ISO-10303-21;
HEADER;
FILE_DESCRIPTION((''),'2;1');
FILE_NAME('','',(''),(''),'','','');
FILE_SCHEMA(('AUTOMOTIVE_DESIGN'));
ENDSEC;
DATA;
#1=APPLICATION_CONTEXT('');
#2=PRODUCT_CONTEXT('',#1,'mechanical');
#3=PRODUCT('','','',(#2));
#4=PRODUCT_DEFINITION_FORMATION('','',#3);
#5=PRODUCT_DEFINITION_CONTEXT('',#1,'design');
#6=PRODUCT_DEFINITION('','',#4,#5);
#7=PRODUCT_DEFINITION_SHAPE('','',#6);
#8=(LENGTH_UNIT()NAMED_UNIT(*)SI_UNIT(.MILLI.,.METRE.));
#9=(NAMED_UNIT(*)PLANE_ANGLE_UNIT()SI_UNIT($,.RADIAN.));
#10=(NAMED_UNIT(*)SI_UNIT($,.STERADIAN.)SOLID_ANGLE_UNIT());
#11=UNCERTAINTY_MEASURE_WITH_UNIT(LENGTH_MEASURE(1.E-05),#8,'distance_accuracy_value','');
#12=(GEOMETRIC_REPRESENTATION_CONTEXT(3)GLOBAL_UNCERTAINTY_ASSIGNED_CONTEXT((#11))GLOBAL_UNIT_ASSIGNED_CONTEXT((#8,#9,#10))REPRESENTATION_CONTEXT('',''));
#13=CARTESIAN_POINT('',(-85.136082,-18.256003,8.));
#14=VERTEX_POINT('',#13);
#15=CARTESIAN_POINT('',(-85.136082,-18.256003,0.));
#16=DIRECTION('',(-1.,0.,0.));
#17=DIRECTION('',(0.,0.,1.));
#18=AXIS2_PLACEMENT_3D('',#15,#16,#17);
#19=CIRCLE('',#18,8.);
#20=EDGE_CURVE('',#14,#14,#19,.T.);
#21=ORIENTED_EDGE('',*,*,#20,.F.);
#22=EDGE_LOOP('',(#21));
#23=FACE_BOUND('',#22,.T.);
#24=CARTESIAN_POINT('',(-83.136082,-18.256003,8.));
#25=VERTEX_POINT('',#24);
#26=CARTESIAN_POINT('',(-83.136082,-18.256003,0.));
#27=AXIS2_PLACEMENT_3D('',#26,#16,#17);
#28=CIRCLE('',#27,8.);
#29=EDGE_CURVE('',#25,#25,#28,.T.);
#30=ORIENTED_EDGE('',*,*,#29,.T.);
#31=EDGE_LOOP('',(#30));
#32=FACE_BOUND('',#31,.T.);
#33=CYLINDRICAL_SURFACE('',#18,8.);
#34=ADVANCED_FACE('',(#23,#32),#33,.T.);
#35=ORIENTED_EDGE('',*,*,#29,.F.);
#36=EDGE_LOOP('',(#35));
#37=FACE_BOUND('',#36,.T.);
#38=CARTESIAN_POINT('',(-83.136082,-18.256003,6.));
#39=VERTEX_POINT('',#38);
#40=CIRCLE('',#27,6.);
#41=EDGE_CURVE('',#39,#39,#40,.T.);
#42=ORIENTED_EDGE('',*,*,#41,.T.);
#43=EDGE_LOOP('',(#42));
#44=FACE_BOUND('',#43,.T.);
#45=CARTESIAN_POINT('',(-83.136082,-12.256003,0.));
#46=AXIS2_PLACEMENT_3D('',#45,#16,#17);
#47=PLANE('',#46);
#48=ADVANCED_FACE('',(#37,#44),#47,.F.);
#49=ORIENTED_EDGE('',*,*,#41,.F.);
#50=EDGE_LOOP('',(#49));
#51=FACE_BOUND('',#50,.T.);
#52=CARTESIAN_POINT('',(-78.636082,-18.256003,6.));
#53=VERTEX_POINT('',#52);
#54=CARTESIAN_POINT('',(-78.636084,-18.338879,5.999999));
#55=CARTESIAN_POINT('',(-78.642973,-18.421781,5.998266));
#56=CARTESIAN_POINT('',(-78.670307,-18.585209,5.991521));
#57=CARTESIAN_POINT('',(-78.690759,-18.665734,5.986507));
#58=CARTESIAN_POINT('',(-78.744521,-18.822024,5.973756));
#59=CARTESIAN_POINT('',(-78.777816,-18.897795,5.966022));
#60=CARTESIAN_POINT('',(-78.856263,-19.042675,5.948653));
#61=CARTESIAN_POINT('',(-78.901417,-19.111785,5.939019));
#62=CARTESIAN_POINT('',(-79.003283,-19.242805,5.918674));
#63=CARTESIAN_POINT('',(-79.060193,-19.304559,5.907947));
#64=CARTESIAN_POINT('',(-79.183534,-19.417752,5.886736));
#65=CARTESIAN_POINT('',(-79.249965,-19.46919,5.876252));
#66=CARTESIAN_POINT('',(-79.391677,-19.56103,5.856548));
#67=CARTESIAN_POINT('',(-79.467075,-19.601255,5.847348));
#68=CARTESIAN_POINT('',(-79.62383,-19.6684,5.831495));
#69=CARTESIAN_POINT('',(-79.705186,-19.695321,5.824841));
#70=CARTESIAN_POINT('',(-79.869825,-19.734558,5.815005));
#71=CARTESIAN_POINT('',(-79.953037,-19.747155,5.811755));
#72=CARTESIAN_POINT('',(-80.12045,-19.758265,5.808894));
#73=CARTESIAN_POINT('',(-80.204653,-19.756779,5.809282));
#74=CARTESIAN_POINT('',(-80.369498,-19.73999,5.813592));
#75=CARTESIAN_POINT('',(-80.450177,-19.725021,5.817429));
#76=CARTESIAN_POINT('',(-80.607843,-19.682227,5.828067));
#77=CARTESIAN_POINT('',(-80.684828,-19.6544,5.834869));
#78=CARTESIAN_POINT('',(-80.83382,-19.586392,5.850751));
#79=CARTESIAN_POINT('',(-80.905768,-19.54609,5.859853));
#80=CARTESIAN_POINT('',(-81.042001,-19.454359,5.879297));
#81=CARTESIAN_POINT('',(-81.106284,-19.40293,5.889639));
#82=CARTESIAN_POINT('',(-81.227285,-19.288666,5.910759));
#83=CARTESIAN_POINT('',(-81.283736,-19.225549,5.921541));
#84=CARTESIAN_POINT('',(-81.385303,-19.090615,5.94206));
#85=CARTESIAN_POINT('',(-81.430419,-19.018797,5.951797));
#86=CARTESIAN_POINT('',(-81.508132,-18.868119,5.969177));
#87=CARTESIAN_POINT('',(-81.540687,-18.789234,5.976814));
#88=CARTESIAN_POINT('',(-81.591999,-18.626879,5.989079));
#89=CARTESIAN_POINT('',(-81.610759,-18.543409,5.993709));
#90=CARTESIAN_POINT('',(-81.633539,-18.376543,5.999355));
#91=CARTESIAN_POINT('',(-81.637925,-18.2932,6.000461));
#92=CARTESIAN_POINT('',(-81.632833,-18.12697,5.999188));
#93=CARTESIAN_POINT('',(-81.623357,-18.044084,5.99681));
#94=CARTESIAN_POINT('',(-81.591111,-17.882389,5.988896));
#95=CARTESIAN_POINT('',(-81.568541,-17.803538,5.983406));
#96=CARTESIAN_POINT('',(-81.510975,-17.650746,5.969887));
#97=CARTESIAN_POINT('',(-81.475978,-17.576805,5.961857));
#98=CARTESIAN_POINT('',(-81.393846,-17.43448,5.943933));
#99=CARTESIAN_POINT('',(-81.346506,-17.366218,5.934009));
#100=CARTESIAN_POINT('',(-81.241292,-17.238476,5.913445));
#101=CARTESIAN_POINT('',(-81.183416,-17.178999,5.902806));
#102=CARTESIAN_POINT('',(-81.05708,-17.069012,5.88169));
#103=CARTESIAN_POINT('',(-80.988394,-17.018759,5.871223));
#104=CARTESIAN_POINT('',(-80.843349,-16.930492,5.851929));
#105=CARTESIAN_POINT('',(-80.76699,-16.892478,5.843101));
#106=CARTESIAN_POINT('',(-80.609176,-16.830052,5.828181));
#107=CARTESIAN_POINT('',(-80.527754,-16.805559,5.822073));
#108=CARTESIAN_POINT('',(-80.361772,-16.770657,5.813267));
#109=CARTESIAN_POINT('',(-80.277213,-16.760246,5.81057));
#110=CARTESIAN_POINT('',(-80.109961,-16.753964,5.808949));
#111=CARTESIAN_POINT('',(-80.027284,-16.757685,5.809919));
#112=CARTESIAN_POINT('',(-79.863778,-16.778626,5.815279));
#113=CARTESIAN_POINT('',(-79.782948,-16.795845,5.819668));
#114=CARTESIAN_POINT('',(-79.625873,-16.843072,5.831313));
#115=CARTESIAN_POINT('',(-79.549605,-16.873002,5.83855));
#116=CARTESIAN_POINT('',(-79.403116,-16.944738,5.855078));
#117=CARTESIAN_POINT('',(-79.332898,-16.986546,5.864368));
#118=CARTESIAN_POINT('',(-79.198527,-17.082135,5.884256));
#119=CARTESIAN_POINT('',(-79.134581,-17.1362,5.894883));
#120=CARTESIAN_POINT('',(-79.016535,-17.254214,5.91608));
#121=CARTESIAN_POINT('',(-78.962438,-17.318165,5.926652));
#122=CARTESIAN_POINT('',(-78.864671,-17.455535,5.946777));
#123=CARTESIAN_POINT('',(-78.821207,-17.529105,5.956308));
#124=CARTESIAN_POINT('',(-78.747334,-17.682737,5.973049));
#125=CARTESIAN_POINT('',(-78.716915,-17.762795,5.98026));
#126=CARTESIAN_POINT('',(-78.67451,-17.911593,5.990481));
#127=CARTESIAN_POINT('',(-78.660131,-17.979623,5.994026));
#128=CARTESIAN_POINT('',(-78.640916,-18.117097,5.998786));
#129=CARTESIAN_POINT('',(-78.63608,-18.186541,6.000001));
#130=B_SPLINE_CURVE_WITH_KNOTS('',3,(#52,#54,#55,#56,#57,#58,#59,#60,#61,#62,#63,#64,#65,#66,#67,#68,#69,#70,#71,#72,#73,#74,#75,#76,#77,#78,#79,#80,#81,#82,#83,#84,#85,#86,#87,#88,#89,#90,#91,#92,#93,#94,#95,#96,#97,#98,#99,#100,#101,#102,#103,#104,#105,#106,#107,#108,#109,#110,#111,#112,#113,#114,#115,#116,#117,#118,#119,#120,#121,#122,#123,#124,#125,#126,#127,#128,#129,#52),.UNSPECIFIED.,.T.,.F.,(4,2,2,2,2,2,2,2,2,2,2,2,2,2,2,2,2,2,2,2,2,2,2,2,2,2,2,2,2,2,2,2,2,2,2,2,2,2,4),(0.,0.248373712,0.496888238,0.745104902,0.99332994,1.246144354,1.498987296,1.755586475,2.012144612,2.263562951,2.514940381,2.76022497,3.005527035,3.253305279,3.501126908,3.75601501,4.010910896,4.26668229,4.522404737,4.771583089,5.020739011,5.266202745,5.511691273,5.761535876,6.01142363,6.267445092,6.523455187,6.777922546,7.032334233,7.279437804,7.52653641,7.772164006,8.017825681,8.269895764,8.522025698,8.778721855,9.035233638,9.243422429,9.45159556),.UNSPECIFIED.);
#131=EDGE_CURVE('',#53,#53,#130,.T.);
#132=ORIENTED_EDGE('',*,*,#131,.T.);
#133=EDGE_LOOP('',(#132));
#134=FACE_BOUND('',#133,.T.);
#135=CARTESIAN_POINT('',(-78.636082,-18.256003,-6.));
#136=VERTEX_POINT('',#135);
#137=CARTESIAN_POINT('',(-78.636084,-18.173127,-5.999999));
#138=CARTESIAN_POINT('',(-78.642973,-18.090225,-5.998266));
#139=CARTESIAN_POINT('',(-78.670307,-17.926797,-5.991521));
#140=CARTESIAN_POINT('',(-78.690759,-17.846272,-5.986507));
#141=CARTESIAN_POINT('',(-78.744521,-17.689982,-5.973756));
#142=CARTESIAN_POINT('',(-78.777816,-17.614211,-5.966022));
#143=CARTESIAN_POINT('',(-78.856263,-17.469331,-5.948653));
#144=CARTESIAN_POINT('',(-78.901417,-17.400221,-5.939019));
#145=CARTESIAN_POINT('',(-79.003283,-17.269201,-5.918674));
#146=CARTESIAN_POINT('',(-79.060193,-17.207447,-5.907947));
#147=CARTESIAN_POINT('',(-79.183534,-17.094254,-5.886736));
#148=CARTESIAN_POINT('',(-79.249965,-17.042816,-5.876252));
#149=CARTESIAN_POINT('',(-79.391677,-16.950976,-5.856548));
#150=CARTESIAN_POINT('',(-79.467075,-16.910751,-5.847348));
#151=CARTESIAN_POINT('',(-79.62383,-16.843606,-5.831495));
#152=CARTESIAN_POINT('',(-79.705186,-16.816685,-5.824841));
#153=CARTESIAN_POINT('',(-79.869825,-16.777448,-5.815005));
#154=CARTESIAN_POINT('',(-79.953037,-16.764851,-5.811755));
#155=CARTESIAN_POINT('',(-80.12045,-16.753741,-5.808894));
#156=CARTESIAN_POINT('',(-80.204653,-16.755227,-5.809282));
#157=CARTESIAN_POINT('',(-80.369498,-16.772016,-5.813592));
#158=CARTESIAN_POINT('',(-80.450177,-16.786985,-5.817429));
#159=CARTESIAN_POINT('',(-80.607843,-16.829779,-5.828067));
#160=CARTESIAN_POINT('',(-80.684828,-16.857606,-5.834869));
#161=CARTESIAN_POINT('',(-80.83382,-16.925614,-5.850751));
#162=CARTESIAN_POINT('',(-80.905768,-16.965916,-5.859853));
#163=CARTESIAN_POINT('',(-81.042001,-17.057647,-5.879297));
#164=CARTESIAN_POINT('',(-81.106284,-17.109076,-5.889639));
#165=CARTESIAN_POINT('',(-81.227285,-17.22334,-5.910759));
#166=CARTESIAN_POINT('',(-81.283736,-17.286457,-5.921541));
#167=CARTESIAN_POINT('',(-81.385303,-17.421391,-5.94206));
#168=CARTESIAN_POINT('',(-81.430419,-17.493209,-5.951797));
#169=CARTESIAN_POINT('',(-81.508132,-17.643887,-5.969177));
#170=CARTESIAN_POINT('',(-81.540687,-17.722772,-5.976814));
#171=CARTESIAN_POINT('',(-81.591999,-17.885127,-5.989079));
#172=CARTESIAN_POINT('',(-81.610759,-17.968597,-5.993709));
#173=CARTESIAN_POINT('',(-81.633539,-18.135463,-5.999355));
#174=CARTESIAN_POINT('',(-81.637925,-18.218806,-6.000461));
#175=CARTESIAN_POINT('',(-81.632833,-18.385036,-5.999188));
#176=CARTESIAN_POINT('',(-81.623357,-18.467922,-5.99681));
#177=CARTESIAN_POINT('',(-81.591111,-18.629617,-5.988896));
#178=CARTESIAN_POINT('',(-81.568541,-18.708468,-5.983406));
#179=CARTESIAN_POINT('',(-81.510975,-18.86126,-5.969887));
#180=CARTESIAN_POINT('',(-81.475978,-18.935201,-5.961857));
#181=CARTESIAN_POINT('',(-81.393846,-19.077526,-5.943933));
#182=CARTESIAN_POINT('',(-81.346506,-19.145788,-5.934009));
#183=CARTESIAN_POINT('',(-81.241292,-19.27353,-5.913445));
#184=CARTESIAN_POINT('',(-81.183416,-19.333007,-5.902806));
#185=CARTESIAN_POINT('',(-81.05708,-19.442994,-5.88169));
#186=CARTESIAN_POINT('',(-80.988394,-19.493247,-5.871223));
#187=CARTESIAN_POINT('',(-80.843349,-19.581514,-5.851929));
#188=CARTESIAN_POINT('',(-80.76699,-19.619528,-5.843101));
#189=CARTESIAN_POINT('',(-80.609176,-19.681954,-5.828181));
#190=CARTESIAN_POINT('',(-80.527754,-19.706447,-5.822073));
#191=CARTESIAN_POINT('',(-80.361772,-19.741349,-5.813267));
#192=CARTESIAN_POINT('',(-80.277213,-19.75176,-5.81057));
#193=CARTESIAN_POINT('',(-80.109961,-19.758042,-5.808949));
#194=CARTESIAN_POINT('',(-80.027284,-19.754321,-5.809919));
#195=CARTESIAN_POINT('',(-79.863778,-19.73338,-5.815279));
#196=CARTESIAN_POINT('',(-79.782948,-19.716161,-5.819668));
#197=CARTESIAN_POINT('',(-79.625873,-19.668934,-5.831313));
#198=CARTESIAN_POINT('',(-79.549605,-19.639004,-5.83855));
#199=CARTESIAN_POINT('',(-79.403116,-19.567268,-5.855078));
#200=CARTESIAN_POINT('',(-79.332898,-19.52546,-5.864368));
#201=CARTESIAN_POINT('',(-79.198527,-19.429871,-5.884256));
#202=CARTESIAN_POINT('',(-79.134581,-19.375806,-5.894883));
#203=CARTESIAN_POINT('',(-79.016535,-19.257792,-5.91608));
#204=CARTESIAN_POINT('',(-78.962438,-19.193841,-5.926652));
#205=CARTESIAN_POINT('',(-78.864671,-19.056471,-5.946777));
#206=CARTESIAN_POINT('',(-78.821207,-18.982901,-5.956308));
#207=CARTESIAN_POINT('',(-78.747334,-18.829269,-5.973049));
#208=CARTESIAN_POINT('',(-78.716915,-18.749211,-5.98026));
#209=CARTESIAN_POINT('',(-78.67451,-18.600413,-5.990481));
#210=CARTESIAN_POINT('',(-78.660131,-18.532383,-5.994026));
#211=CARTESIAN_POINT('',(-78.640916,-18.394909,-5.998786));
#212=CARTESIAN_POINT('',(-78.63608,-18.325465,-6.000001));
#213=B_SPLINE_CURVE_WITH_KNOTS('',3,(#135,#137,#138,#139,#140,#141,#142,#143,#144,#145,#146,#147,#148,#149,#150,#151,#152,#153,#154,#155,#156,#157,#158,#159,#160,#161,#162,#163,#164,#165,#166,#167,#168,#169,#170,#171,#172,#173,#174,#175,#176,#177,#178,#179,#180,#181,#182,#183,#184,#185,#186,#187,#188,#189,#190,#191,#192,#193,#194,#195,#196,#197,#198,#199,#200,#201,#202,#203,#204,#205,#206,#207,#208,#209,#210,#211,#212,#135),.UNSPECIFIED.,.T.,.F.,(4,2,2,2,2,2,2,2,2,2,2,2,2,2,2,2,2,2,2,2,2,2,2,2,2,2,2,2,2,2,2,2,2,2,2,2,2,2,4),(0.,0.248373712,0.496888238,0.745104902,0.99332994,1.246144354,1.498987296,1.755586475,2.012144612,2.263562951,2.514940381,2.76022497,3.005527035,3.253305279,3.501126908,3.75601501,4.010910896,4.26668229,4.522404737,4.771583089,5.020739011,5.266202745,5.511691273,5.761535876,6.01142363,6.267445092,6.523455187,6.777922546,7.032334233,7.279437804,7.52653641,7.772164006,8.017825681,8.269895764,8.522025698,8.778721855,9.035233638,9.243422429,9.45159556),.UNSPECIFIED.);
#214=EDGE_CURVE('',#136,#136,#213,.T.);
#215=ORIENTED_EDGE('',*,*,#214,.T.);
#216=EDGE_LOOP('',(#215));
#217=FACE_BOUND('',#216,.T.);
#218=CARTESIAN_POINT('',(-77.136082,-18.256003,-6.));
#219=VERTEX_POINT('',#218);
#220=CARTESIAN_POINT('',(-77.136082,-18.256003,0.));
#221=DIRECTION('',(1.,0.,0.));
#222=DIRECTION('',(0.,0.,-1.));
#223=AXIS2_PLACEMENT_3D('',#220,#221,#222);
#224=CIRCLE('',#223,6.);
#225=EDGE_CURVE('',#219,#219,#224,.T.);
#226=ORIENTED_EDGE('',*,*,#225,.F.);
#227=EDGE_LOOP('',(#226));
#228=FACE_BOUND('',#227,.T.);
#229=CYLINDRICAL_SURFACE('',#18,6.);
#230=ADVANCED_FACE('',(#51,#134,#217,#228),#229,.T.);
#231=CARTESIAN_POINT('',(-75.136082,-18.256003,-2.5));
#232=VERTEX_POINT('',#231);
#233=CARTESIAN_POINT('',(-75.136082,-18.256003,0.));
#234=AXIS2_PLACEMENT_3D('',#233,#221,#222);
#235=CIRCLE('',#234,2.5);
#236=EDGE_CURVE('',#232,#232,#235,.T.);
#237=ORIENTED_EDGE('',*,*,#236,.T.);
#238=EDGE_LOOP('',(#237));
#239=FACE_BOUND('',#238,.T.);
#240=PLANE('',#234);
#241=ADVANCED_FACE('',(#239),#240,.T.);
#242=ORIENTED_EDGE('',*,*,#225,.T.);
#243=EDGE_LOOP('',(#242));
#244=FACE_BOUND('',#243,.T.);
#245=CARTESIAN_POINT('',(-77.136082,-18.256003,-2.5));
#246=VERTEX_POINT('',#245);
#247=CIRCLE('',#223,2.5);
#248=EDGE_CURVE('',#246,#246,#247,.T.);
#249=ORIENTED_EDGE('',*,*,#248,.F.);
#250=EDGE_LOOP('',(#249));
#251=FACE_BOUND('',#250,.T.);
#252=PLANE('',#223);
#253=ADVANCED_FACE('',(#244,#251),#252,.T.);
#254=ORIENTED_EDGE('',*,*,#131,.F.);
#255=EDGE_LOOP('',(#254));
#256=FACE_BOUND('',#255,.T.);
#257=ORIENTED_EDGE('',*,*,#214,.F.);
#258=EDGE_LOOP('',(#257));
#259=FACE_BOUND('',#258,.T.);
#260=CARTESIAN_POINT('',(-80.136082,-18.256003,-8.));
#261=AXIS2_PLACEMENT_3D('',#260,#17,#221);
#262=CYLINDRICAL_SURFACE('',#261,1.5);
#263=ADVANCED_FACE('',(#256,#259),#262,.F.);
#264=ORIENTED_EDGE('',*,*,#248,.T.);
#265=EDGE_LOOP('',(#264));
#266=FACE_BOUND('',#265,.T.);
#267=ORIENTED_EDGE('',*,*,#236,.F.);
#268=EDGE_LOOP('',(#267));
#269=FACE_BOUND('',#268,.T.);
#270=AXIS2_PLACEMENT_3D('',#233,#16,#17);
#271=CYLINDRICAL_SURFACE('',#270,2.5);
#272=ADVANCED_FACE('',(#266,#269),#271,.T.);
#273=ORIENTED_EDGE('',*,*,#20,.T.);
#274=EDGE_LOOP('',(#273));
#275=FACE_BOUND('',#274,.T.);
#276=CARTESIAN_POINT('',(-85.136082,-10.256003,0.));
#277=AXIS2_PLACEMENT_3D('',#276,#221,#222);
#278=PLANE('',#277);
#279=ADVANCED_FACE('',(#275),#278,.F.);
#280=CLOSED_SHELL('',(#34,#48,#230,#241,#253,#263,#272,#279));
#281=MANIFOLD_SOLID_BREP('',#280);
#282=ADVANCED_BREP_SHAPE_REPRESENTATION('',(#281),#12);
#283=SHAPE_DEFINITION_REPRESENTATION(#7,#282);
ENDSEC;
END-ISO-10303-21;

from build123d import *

# Parameters (mm, degrees)
CUT_EXTRUDE2_DEPTH      = 90.451272324
CUT_EXTRUDE2_DEPTH_BACK = 90.451272324
SKETCH5_R               = 1.5
CUT_EXTRUDE3_START      = -2
SKETCH7_R               = 8
CUT_EXTRUDE3_DEPTH      = 2
BOSS_EXTRUDE1_START     = -2
SKETCH2_R               = 2.5
BOSS_EXTRUDE1_DEPTH     = 2


with BuildPart() as part:
    # Sketch1 → Revolve2 (revolve)
    with BuildSketch(Plane.XY, mode=Mode.PRIVATE) as revolve2_sk:
        Polygon((-85.136081821, -10.256002982), (-85.136081821, -18.256002982), (-75.136081821, -18.256002982), (-75.136081821, -10.256002982), (-77.136081821, -10.256002982), (-77.136081821, -12.256002982), (-83.136081821, -12.256002982), (-83.136081821, -10.256002982), align=None)
    revolve(revolve2_sk.sketch.rotate(Axis((-85.136081821, -18.256002982, 0), (1, 0, 0)), 90), axis=Axis((-85.136081821, -18.256002982, 0), (1, 0, 0)))

    # Sketch5 → Cut-Extrude2 (cut, two sides: drawn at the far end of the back side and taken through both)
    with BuildSketch(Plane.XY.offset(-CUT_EXTRUDE2_DEPTH_BACK)):
        with Locations((-80.136081821, -18.256002982)):
            Circle(SKETCH5_R)
    extrude(amount=CUT_EXTRUDE2_DEPTH + CUT_EXTRUDE2_DEPTH_BACK, mode=Mode.SUBTRACT)

    # Sketch7 → Cut-Extrude3 (cut)
    with BuildSketch(Plane(origin=(-75.136081821, 0, 0), x_dir=(0, 0, -1), z_dir=(1, 0, 0)).offset(CUT_EXTRUDE3_START)):
        with Locations(Location((0, -18.256002982, 0), (0, 0, 180))):
            Circle(SKETCH7_R)
    extrude(amount=CUT_EXTRUDE3_DEPTH, mode=Mode.SUBTRACT)

    # Sketch2 → Boss-Extrude1 (add)
    with BuildSketch(Plane(origin=(-75.136081821, 0, 0), x_dir=(0, 0, -1), z_dir=(1, 0, 0)).offset(BOSS_EXTRUDE1_START)):
        with Locations((0, -18.256002982)):
            Circle(SKETCH2_R)
    extrude(amount=BOSS_EXTRUDE1_DEPTH)


solid = part.part
